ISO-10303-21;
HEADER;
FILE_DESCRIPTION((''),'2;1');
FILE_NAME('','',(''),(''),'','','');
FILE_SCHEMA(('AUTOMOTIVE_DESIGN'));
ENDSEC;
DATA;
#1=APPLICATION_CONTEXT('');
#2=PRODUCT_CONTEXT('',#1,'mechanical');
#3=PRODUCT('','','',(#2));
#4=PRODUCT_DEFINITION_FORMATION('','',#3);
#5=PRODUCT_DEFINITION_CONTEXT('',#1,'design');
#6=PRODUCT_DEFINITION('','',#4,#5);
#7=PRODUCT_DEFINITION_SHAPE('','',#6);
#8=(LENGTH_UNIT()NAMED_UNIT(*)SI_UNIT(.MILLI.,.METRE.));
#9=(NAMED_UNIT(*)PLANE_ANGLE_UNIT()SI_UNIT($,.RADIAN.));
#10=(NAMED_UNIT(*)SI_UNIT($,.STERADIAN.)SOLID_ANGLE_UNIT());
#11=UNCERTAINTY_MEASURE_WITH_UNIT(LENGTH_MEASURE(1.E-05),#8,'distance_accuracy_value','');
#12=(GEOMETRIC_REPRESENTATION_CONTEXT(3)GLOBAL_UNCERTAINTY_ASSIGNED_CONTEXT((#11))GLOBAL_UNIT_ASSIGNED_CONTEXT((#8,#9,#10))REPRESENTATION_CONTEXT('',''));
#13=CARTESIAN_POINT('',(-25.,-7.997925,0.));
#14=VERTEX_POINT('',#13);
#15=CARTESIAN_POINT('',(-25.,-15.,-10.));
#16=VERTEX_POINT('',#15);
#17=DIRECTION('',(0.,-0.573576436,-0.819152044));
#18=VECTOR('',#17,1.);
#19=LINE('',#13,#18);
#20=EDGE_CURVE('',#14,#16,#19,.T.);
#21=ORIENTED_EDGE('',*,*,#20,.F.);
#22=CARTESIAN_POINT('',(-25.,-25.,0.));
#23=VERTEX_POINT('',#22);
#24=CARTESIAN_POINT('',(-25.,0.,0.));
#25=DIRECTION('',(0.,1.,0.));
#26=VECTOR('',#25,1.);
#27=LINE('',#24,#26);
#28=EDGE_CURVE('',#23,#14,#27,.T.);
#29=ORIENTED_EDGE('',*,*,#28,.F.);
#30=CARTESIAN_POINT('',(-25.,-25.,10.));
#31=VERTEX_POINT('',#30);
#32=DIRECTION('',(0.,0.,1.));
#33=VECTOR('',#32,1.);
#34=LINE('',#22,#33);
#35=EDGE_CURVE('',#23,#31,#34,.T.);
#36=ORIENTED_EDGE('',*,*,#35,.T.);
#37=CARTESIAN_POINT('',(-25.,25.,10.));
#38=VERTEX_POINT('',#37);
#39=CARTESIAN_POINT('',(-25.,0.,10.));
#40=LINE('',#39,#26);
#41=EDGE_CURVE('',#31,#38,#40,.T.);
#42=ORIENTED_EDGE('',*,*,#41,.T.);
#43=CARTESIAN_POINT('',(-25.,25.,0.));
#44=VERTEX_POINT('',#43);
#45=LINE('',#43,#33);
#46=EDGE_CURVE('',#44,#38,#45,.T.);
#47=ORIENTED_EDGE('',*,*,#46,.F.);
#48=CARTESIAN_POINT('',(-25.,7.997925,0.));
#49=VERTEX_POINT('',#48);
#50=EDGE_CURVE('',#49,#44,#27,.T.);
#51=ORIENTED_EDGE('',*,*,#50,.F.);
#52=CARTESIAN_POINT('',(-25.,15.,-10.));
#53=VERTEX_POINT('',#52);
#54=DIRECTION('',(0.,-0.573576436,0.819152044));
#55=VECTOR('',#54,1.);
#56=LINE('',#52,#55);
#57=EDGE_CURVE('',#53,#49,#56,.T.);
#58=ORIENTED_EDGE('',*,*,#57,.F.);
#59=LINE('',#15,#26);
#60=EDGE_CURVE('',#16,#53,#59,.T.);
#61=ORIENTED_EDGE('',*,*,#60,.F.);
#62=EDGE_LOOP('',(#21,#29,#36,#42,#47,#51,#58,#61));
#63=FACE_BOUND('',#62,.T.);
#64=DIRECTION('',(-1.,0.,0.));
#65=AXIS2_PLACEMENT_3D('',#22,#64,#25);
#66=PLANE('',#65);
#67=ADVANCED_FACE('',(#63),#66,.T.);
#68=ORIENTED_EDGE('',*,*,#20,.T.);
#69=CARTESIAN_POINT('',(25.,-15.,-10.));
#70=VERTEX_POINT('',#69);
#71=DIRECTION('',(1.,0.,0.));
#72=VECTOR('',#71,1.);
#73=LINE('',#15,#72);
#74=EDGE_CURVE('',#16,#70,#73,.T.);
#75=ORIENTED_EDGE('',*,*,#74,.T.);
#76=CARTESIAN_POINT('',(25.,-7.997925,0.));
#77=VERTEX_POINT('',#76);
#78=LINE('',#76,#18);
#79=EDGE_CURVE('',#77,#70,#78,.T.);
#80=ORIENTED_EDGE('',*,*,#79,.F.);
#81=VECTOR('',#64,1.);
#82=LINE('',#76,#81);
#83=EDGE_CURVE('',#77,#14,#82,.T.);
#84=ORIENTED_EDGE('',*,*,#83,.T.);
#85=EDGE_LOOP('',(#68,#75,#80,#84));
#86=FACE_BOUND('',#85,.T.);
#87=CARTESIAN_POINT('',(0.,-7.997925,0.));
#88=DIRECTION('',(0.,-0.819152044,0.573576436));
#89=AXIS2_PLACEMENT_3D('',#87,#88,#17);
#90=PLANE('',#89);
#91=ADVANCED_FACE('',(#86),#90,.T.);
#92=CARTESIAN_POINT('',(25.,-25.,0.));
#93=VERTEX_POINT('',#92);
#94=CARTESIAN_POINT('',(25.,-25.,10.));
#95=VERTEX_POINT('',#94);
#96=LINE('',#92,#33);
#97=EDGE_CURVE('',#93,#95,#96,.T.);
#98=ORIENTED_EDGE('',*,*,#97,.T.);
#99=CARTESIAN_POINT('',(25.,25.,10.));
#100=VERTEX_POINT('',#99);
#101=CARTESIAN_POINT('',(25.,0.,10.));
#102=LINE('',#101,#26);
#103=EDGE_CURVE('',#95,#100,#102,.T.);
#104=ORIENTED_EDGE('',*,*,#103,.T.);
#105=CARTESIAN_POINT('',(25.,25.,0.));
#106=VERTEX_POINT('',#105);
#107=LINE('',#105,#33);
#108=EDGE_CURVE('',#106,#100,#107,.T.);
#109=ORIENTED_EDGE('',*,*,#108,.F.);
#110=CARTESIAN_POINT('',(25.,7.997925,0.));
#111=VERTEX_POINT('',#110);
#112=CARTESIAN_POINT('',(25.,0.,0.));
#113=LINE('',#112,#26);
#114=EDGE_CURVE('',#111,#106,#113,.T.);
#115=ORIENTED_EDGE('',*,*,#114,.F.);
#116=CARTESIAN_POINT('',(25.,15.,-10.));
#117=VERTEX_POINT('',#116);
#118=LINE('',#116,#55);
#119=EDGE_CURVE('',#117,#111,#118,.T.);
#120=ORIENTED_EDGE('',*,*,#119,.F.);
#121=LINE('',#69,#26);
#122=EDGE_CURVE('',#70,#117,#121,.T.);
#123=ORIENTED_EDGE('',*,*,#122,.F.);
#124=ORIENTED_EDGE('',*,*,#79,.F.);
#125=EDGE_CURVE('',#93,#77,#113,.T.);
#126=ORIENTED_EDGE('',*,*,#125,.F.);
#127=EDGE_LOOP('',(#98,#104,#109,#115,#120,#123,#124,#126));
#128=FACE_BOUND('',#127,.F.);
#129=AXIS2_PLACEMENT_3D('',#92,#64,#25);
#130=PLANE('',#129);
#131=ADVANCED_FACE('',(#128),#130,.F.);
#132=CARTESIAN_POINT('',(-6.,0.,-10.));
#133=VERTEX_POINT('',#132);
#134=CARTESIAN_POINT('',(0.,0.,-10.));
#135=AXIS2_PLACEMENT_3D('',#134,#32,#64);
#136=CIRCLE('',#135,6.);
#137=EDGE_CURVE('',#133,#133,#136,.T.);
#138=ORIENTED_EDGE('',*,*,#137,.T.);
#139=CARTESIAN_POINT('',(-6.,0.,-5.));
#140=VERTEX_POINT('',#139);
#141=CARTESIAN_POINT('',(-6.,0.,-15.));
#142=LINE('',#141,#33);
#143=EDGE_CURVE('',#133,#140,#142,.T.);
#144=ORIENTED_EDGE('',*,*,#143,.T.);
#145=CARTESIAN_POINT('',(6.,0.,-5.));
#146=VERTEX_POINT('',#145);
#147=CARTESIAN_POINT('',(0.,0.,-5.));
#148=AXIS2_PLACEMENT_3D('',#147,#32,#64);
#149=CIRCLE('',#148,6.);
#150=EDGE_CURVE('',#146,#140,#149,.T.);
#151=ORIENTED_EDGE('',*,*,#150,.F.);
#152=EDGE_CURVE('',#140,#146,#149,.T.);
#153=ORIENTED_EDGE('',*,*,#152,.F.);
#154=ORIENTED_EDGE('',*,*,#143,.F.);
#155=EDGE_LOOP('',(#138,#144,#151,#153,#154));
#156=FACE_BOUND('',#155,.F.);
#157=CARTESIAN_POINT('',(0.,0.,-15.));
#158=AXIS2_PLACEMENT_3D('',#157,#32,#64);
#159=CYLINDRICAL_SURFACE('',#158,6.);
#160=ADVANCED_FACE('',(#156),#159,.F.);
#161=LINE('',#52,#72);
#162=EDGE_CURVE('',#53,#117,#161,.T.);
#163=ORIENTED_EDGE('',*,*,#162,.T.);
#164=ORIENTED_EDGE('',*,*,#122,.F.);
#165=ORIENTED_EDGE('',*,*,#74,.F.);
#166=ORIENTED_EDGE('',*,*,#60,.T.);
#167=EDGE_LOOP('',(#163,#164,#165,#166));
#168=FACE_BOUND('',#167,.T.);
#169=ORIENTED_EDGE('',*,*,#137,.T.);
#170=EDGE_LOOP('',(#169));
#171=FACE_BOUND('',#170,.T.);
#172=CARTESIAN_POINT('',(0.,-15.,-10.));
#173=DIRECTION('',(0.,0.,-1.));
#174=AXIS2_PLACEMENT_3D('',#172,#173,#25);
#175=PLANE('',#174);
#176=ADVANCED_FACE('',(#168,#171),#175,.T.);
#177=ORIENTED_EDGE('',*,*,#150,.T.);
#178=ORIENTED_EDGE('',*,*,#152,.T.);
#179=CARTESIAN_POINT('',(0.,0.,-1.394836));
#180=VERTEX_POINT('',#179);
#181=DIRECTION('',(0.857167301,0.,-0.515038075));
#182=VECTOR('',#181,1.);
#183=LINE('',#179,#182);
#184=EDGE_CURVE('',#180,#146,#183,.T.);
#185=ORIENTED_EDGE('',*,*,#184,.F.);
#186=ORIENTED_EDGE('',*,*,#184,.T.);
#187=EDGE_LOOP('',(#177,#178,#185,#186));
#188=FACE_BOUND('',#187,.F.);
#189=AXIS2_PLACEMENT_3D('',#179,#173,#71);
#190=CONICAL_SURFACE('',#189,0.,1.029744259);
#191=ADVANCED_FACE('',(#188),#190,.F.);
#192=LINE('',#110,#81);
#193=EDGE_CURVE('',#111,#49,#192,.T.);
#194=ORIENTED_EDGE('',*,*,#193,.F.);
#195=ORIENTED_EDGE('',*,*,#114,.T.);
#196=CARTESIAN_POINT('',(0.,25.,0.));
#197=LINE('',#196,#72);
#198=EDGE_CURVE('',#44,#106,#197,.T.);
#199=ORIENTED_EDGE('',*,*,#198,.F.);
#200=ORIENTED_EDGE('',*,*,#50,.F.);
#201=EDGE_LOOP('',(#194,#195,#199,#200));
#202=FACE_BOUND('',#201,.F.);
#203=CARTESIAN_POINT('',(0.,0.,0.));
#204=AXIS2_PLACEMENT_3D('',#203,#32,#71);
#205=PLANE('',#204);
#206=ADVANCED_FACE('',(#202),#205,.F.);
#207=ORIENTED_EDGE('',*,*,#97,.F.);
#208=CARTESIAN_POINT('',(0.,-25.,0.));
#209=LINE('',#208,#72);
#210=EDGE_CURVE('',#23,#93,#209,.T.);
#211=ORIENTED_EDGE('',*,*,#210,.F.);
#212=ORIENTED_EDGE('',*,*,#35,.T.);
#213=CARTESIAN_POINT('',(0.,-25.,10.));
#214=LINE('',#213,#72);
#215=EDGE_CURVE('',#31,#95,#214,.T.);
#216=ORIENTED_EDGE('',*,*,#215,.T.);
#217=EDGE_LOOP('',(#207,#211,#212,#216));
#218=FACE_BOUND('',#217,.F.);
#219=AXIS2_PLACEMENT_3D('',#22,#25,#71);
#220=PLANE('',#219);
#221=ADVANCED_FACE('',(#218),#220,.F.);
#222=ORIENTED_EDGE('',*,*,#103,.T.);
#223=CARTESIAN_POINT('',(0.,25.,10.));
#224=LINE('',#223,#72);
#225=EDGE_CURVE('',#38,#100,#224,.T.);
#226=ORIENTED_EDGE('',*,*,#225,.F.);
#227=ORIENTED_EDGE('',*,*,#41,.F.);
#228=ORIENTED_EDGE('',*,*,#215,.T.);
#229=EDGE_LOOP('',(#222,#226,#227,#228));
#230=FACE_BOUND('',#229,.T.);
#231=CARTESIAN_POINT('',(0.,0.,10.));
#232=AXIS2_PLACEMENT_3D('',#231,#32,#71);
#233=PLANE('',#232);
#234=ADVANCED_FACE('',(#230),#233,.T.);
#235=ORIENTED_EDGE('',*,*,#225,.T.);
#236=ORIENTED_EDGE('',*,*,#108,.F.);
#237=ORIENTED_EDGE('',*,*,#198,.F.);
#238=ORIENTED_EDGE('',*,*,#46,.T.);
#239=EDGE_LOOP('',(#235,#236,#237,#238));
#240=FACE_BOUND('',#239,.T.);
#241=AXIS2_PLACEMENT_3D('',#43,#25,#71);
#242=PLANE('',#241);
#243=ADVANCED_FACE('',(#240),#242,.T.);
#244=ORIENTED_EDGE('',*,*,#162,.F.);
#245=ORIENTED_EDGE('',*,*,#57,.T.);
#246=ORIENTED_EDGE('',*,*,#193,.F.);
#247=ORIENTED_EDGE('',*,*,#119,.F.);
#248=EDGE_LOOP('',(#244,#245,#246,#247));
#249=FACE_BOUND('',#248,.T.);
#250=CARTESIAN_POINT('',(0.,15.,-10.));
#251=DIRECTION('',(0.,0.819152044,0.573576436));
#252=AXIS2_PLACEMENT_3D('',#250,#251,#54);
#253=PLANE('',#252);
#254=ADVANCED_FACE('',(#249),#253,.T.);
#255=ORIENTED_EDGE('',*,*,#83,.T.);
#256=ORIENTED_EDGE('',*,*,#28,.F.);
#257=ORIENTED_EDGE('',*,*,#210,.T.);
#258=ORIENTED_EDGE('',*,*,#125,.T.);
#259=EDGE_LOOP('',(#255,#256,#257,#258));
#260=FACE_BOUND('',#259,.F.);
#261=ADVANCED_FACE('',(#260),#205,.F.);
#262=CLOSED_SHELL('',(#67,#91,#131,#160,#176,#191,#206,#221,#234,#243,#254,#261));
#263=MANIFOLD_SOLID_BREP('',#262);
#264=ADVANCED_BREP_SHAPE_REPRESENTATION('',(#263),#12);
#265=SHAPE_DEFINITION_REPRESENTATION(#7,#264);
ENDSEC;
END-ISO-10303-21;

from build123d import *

# Parameters (mm, degrees)
F0_W     = 50
F0_H     = 50
F1_DEPTH = 10
F3_DEPTH = 25
F5_D     = 12
F5_DEPTH = 5
F5_TIP   = 3.6051637142


with BuildPart() as f1:
    # F0 (on Top) → F1 (new body)
    with BuildSketch(Plane.XY):
        Rectangle(F0_W, F0_H)
    extrude(amount=F1_DEPTH)

    # F2 (on Right) → F3 (join, symmetric)
    with BuildSketch(Plane.YZ):
        Polygon((0, -10), (0, 0), (-7.9979246179, 0), (-15, -10), align=None)
        Polygon((7.9979246179, 0), (0, 0), (0, -10), (15, -10), align=None)
    extrude(amount=F3_DEPTH, both=True)

    # F5
    with Locations(Plane(origin=(0, 0, -10), x_dir=(1, 0, 0), z_dir=(0, 0, -1))):
        with Locations((0, 0)):
            Hole(F5_D / 2, depth=F5_DEPTH)
            with Locations((0, 0, -(F5_DEPTH + F5_TIP / 2))):  # 118° drill point
                Cone(0, F5_D / 2, F5_TIP, mode=Mode.SUBTRACT)


solid = f1.part
